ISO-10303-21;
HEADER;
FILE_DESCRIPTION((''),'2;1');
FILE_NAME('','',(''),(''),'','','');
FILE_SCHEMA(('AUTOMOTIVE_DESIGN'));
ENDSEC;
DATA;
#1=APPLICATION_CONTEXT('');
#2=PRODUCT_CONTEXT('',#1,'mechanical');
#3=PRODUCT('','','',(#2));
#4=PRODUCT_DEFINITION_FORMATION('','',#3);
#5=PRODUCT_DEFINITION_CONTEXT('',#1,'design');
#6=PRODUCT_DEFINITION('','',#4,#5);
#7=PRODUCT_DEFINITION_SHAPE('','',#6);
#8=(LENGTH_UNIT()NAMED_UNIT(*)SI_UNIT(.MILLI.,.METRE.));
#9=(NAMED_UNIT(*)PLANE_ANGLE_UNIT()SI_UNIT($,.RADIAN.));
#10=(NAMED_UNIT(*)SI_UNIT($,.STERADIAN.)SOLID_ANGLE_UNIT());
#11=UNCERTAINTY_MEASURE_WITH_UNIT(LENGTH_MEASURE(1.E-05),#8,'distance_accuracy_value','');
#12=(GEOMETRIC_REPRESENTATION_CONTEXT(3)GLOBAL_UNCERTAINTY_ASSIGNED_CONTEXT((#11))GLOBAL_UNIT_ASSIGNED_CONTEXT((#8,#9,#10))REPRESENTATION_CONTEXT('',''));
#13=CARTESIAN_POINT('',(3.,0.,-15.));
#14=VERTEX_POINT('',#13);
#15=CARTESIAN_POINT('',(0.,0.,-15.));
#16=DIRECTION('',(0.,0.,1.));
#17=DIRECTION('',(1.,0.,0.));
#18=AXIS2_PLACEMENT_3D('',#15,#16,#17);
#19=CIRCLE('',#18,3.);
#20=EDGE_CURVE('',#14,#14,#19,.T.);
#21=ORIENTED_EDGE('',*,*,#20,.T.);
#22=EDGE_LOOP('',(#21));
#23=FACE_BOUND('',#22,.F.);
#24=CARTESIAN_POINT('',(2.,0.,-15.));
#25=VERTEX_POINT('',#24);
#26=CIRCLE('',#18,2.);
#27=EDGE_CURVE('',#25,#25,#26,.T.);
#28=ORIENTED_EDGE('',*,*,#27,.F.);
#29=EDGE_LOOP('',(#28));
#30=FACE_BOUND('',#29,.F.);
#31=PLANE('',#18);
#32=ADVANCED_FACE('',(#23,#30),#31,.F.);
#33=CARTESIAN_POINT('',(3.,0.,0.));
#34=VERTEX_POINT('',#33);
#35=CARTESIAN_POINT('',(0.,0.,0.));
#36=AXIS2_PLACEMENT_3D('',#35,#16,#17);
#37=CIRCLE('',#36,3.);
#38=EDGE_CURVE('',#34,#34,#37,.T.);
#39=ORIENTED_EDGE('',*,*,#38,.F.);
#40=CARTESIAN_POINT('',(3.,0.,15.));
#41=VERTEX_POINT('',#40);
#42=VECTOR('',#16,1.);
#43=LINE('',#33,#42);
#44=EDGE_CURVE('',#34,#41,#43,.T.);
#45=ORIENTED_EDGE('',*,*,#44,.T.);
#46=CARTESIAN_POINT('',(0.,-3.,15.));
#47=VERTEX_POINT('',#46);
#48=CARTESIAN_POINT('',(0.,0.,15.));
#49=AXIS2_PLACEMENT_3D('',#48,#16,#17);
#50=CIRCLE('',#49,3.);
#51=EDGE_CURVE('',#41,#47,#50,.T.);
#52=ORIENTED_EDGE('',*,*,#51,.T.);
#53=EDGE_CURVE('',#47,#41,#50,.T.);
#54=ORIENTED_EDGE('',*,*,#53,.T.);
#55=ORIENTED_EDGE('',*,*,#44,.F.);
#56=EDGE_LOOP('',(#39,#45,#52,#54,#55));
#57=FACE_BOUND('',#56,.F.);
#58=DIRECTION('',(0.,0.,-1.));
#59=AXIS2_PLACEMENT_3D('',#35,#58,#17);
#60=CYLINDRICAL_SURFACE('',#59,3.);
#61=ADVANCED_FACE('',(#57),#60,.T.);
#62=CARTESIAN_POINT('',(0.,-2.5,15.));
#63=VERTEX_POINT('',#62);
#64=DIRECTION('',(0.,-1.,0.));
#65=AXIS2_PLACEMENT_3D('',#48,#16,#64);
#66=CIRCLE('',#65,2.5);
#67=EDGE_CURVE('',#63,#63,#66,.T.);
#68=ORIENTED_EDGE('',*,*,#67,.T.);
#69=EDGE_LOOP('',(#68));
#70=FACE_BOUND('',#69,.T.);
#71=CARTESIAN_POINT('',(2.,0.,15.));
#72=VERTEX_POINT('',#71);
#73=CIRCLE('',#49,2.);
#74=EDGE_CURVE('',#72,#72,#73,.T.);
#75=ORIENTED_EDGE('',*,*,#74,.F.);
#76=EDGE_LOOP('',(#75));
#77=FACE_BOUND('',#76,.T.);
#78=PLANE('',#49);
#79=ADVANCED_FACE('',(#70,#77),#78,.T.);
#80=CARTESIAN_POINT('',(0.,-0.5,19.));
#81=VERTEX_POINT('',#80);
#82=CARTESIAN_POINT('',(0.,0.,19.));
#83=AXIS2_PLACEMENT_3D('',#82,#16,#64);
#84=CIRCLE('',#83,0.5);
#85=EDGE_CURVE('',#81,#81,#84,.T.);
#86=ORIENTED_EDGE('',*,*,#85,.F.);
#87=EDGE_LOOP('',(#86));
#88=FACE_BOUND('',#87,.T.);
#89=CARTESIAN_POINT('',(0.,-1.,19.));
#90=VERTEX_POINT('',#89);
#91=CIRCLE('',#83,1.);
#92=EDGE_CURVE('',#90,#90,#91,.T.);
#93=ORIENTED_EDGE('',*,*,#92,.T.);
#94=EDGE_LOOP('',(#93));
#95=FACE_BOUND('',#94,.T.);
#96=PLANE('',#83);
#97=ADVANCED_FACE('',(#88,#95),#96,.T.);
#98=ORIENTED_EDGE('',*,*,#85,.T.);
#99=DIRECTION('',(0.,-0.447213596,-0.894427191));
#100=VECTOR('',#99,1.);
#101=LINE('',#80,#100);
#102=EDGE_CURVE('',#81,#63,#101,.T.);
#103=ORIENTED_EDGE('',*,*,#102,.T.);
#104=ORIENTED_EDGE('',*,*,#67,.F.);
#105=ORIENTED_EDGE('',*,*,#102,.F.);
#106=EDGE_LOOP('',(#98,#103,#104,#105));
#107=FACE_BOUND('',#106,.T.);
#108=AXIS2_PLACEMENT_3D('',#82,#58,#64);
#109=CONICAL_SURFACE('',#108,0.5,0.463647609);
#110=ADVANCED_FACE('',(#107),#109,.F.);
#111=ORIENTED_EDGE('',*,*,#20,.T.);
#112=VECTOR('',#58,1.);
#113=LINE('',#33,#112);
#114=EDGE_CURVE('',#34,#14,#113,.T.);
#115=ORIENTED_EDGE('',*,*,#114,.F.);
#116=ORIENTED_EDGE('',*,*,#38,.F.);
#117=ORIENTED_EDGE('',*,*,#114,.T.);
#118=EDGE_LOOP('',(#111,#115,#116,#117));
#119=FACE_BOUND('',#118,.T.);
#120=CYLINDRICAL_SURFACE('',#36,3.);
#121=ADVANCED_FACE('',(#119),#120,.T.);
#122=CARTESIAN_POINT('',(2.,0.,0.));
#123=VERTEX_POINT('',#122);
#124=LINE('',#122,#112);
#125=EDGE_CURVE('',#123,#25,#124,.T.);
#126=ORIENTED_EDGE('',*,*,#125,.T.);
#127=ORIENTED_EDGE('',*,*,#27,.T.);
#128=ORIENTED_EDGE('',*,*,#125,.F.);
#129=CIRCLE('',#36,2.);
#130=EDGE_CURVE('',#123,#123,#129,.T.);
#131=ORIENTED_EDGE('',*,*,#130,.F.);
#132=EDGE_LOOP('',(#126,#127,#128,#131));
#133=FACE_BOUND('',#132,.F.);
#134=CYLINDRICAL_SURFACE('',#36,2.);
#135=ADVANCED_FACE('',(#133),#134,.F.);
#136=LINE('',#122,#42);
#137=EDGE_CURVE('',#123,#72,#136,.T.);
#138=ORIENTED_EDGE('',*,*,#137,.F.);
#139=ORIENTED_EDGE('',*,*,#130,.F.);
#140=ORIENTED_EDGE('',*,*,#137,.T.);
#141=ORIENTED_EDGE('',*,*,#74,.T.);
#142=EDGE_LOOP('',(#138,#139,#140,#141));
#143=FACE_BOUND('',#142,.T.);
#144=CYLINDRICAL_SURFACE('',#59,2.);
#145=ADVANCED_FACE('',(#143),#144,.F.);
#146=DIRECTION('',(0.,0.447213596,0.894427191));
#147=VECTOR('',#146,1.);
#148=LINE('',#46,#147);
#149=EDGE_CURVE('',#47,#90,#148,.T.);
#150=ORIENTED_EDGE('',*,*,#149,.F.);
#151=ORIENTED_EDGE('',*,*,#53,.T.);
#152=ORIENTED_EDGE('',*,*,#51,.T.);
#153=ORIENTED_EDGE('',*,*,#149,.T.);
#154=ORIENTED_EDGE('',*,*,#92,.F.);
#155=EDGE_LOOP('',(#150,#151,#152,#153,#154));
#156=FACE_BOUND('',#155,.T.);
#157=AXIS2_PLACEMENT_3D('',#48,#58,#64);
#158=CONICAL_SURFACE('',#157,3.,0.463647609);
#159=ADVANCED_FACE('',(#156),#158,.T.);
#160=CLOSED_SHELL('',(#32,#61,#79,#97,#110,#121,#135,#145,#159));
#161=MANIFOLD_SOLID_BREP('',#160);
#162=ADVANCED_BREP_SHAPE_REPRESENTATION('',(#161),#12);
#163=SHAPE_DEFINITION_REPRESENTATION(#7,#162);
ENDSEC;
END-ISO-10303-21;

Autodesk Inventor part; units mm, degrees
ref_plane "YZ Plane" through (0, 0, 0) normal (1, 0, 0) x (0, 1, 0)
ref_plane "XZ Plane" through (0, 0, 0) normal (0, 1, 0) x (-1, 0, 0)
ref_plane "XY Plane" through (0, 0, 0) normal (0, 0, 1) x (1, 0, 0)
sketch "Sketch1" plane through (0, 0, 0) normal (0, 0, 1) x (1, 0, 0)
  circle A0 centre (0, 0) radius 3
  circle A1 centre (0, 0) radius 2
  dimension "d0" = 6
  dimension "d1" = 4
extrude "Extrusion1" add sketch "Sketch1" along normal mid plane 30
sketch "Sketch2" plane through (0, 0, 0) normal (1, 0, 0) x (0, 1, 0)
  line L0 (3, 15) -> (-3, 15) construction
  line L1 (0, 15) -> (0, 19) construction
  line L2 (-3, -15) -> (-3, 15) construction
  line L3 (-3, 15) -> (-1, 19)
  line L4 (-1, 19) -> (-0.5, 19)
  line L5 (-0.5, 19) -> (-2.5, 15)
  line L6 (-3, 15) -> (-2.5, 15)
  point P0 (0, 0)
  point P1 (-0.75, 19)
  dimension "d4" = 4
  dimension "d9" = 2
  dimension "d10" = 1
revolve "Revolution1" add sketch "Sketch2" angle 360 about axis through (0, 0, 15) along (0, 0, 1)
properties part number "Nozzle"
